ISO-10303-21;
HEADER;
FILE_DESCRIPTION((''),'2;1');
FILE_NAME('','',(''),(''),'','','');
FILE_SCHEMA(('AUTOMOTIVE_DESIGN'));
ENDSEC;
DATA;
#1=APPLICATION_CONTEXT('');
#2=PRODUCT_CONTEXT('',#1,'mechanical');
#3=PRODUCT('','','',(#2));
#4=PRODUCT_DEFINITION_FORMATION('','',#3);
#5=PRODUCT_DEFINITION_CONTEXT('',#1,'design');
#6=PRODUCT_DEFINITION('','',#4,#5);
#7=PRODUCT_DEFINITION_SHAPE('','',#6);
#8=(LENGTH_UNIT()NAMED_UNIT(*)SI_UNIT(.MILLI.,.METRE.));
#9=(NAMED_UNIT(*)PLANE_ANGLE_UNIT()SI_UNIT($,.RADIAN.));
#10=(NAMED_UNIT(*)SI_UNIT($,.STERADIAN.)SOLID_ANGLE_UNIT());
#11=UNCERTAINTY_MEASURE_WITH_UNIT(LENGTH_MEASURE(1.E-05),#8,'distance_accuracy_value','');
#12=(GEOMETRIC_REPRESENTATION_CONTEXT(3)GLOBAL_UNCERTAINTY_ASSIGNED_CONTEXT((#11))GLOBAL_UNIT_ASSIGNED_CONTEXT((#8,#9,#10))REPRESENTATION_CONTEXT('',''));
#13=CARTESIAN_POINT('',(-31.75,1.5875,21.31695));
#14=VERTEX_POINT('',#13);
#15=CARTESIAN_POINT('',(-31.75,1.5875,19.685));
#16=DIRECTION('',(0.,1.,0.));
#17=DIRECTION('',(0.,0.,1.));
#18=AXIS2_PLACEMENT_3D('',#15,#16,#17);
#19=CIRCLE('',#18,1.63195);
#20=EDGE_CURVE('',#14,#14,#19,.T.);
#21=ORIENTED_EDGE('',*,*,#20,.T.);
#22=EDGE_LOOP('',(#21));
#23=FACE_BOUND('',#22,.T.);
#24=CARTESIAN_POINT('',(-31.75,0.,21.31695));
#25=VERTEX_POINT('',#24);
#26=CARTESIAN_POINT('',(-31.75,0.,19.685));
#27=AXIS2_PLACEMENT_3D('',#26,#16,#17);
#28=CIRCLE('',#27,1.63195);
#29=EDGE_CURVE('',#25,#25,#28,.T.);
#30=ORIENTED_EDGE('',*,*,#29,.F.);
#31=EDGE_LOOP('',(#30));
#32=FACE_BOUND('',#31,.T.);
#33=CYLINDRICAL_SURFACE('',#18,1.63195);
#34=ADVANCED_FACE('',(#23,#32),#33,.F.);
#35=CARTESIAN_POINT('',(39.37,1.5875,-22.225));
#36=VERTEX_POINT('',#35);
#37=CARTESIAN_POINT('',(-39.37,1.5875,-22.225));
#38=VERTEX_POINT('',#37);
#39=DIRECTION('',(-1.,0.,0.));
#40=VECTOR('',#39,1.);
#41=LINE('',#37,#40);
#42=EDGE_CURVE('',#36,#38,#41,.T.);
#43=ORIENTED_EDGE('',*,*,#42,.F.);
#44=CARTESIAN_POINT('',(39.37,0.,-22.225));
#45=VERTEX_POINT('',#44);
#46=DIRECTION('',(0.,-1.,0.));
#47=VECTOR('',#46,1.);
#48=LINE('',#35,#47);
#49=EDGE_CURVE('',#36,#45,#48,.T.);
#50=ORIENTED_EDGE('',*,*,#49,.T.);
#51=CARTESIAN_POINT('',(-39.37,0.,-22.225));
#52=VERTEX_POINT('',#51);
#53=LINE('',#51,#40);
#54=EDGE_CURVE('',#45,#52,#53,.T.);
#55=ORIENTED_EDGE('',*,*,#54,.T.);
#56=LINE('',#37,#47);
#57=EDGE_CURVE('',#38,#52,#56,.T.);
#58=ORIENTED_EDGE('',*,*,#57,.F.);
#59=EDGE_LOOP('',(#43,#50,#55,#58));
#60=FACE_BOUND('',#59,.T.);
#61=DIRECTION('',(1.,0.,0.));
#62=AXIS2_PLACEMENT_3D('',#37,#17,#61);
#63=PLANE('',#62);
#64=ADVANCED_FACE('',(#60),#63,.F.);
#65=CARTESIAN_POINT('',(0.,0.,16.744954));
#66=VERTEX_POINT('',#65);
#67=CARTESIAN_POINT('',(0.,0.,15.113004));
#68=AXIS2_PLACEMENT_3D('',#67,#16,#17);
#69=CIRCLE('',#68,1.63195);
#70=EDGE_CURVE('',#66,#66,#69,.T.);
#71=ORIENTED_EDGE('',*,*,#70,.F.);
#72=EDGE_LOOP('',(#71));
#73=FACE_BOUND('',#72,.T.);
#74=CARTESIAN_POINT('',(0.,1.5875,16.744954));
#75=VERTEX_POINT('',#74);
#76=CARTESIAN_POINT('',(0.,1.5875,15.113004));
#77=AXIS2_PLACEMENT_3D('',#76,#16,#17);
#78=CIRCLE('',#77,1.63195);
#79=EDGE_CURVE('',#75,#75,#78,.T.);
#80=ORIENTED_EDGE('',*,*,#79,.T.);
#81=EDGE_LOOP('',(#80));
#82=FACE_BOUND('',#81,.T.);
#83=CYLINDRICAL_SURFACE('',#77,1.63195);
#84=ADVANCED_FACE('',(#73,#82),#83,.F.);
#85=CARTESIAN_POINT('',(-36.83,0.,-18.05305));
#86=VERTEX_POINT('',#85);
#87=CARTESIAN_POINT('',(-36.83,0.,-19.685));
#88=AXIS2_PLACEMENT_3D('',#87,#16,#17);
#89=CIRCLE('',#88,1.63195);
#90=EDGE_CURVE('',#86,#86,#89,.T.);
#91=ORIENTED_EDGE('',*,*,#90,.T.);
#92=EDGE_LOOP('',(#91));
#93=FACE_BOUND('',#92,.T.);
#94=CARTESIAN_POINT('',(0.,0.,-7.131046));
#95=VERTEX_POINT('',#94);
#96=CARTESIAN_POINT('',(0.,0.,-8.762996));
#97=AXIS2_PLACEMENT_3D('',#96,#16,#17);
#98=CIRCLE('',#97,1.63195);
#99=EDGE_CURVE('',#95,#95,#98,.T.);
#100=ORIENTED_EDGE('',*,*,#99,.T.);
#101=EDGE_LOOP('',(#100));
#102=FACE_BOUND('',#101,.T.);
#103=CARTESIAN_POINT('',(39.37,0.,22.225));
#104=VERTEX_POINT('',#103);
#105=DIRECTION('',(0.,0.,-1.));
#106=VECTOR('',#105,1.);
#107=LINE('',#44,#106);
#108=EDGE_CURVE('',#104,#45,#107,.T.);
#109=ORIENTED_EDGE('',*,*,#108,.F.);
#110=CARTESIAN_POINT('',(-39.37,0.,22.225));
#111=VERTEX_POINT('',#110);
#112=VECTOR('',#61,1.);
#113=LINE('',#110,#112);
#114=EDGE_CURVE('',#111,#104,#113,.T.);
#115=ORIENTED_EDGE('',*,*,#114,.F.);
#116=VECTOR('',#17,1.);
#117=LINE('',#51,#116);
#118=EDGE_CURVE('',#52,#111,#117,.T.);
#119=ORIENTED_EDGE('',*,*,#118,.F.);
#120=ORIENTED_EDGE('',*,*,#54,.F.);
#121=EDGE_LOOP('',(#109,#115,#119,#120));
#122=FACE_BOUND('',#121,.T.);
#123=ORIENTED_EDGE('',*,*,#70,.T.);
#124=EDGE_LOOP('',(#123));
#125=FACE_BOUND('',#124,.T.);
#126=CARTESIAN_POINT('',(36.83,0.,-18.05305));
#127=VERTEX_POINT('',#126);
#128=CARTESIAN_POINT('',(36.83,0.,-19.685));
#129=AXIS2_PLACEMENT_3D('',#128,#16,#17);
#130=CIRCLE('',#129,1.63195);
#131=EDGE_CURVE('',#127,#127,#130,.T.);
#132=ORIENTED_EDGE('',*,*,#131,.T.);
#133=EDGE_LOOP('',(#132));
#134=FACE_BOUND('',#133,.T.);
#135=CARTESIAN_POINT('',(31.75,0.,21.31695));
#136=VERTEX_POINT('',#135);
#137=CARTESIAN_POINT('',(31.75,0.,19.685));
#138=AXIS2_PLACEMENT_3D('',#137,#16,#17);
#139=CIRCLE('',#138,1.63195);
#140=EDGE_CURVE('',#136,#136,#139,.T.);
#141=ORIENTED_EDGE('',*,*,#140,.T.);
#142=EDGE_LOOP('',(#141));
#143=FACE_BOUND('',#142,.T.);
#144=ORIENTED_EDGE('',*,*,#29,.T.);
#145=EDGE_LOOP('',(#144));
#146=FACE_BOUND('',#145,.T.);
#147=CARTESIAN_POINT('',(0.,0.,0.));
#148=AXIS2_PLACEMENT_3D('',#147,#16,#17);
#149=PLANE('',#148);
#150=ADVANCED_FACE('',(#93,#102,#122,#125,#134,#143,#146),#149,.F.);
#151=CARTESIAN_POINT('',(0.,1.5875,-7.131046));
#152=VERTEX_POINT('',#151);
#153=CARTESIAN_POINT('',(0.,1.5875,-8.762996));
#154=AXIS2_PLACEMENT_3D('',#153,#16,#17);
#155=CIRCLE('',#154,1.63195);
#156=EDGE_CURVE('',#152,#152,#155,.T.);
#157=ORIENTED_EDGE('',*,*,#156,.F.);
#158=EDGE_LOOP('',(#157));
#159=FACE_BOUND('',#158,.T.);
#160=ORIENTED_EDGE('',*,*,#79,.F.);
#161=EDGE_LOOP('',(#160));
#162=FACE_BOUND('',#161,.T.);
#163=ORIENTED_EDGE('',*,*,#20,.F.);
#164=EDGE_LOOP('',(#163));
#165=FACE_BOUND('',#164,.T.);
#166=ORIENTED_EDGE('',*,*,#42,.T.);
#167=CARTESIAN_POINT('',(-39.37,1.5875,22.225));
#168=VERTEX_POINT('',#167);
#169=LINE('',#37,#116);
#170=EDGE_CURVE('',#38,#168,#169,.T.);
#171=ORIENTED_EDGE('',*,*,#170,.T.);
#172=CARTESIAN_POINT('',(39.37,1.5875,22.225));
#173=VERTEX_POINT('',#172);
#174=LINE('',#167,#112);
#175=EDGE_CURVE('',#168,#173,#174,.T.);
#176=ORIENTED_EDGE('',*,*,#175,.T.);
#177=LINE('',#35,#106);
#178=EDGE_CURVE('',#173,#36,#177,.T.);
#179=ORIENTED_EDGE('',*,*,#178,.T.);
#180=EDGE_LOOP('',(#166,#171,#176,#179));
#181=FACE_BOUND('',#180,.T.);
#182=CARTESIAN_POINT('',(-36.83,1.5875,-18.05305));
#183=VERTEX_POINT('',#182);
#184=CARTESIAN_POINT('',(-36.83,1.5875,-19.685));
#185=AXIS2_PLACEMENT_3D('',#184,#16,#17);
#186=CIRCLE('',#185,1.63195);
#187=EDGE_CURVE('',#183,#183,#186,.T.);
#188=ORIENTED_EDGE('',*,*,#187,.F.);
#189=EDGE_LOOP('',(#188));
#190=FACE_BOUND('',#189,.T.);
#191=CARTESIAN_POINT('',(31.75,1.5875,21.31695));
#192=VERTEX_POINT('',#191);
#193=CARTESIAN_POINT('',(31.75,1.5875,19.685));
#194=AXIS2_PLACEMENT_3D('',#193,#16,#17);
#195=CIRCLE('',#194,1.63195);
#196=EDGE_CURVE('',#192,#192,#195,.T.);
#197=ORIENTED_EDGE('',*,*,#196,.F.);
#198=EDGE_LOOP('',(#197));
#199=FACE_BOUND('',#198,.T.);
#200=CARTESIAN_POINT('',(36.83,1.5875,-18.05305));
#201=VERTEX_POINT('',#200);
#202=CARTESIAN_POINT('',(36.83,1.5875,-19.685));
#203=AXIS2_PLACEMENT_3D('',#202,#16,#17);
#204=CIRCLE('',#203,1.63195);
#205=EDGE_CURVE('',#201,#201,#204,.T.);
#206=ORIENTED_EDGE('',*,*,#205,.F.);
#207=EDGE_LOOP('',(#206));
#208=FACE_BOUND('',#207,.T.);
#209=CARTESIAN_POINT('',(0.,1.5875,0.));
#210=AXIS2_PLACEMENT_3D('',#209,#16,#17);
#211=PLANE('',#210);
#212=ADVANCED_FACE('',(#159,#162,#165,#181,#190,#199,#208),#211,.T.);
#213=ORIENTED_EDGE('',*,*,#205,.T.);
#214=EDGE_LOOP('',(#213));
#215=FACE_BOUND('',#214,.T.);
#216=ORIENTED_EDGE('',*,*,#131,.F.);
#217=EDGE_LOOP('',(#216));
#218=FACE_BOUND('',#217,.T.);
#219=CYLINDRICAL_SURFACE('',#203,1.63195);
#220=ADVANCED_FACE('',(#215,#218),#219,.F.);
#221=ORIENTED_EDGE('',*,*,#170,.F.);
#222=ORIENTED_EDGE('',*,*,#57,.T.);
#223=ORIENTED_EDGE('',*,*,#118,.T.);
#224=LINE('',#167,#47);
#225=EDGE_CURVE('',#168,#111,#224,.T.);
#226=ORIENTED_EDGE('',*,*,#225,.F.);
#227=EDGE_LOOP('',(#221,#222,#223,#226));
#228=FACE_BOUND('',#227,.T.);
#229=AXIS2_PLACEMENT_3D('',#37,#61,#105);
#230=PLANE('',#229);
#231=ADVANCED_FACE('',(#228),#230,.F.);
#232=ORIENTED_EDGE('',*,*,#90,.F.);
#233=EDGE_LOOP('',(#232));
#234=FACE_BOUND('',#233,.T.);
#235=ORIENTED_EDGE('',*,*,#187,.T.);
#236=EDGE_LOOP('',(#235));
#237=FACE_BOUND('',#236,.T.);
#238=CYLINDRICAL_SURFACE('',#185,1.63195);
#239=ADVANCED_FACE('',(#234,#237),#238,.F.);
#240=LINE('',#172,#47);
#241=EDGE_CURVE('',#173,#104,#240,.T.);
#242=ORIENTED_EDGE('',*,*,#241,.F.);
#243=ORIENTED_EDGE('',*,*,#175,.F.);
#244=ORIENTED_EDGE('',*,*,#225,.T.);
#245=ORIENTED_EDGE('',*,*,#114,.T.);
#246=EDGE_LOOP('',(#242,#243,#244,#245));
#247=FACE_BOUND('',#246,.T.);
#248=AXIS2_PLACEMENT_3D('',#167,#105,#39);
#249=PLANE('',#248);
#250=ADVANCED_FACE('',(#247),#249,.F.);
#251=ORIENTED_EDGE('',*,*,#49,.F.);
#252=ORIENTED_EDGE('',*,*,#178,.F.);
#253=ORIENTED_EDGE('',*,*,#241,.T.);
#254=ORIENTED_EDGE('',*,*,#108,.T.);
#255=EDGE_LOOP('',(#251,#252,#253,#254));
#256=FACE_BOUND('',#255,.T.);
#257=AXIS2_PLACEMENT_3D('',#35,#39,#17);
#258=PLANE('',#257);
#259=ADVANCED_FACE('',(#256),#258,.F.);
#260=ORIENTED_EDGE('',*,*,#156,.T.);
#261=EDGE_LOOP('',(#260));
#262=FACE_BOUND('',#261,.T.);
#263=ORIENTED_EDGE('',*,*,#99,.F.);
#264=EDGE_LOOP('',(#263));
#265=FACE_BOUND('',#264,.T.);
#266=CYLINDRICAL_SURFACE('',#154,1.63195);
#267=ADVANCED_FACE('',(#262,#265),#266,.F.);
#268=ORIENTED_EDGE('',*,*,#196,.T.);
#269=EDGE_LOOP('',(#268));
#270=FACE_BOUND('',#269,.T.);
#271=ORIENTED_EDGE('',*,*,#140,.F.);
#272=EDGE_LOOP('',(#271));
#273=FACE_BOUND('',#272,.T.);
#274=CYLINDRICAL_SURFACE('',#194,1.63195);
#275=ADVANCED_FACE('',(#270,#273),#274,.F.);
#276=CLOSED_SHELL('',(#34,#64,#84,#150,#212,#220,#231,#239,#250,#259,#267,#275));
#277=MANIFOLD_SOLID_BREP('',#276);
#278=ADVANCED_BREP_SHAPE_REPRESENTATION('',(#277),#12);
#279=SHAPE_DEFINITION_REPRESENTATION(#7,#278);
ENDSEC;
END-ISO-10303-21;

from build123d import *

# Parameters (mm, degrees)
SKETCH1_W             = 78.74
SKETCH1_H             = 44.45
BOSS_EXTRUDE1_DEPTH   = 1.5875
F_4_CLEARANCE_HOLE1_D = 3.2639
F_4_CLEARANCE_HOLE2_D = 3.2639


with BuildPart() as part:
    # Sketch1 → Boss-Extrude1 (new body)
    with BuildSketch(Plane(origin=(0, 0, 0), x_dir=(1, 0, 0), z_dir=(0, 1, 0))):
        Rectangle(SKETCH1_W, SKETCH1_H)
    extrude(amount=BOSS_EXTRUDE1_DEPTH)

    # #4 Clearance Hole1 (through all)
    with Locations(Plane(origin=(0, 1.5875, 0), x_dir=(1, 0, 0), z_dir=(0, 1, 0))):
        with Locations((-36.83, 19.685), (36.83, 19.685), (31.75, -19.685), (-31.75, -19.685)):
            Hole(F_4_CLEARANCE_HOLE1_D / 2)

    # #4 Clearance Hole2 (through all)
    with Locations(Plane(origin=(0, 1.5875, 0), x_dir=(1, 0, 0), z_dir=(0, 1, 0))):
        with Locations((0, 8.762995682), (0, -15.113004318)):
            Hole(F_4_CLEARANCE_HOLE2_D / 2)


solid = part.part
